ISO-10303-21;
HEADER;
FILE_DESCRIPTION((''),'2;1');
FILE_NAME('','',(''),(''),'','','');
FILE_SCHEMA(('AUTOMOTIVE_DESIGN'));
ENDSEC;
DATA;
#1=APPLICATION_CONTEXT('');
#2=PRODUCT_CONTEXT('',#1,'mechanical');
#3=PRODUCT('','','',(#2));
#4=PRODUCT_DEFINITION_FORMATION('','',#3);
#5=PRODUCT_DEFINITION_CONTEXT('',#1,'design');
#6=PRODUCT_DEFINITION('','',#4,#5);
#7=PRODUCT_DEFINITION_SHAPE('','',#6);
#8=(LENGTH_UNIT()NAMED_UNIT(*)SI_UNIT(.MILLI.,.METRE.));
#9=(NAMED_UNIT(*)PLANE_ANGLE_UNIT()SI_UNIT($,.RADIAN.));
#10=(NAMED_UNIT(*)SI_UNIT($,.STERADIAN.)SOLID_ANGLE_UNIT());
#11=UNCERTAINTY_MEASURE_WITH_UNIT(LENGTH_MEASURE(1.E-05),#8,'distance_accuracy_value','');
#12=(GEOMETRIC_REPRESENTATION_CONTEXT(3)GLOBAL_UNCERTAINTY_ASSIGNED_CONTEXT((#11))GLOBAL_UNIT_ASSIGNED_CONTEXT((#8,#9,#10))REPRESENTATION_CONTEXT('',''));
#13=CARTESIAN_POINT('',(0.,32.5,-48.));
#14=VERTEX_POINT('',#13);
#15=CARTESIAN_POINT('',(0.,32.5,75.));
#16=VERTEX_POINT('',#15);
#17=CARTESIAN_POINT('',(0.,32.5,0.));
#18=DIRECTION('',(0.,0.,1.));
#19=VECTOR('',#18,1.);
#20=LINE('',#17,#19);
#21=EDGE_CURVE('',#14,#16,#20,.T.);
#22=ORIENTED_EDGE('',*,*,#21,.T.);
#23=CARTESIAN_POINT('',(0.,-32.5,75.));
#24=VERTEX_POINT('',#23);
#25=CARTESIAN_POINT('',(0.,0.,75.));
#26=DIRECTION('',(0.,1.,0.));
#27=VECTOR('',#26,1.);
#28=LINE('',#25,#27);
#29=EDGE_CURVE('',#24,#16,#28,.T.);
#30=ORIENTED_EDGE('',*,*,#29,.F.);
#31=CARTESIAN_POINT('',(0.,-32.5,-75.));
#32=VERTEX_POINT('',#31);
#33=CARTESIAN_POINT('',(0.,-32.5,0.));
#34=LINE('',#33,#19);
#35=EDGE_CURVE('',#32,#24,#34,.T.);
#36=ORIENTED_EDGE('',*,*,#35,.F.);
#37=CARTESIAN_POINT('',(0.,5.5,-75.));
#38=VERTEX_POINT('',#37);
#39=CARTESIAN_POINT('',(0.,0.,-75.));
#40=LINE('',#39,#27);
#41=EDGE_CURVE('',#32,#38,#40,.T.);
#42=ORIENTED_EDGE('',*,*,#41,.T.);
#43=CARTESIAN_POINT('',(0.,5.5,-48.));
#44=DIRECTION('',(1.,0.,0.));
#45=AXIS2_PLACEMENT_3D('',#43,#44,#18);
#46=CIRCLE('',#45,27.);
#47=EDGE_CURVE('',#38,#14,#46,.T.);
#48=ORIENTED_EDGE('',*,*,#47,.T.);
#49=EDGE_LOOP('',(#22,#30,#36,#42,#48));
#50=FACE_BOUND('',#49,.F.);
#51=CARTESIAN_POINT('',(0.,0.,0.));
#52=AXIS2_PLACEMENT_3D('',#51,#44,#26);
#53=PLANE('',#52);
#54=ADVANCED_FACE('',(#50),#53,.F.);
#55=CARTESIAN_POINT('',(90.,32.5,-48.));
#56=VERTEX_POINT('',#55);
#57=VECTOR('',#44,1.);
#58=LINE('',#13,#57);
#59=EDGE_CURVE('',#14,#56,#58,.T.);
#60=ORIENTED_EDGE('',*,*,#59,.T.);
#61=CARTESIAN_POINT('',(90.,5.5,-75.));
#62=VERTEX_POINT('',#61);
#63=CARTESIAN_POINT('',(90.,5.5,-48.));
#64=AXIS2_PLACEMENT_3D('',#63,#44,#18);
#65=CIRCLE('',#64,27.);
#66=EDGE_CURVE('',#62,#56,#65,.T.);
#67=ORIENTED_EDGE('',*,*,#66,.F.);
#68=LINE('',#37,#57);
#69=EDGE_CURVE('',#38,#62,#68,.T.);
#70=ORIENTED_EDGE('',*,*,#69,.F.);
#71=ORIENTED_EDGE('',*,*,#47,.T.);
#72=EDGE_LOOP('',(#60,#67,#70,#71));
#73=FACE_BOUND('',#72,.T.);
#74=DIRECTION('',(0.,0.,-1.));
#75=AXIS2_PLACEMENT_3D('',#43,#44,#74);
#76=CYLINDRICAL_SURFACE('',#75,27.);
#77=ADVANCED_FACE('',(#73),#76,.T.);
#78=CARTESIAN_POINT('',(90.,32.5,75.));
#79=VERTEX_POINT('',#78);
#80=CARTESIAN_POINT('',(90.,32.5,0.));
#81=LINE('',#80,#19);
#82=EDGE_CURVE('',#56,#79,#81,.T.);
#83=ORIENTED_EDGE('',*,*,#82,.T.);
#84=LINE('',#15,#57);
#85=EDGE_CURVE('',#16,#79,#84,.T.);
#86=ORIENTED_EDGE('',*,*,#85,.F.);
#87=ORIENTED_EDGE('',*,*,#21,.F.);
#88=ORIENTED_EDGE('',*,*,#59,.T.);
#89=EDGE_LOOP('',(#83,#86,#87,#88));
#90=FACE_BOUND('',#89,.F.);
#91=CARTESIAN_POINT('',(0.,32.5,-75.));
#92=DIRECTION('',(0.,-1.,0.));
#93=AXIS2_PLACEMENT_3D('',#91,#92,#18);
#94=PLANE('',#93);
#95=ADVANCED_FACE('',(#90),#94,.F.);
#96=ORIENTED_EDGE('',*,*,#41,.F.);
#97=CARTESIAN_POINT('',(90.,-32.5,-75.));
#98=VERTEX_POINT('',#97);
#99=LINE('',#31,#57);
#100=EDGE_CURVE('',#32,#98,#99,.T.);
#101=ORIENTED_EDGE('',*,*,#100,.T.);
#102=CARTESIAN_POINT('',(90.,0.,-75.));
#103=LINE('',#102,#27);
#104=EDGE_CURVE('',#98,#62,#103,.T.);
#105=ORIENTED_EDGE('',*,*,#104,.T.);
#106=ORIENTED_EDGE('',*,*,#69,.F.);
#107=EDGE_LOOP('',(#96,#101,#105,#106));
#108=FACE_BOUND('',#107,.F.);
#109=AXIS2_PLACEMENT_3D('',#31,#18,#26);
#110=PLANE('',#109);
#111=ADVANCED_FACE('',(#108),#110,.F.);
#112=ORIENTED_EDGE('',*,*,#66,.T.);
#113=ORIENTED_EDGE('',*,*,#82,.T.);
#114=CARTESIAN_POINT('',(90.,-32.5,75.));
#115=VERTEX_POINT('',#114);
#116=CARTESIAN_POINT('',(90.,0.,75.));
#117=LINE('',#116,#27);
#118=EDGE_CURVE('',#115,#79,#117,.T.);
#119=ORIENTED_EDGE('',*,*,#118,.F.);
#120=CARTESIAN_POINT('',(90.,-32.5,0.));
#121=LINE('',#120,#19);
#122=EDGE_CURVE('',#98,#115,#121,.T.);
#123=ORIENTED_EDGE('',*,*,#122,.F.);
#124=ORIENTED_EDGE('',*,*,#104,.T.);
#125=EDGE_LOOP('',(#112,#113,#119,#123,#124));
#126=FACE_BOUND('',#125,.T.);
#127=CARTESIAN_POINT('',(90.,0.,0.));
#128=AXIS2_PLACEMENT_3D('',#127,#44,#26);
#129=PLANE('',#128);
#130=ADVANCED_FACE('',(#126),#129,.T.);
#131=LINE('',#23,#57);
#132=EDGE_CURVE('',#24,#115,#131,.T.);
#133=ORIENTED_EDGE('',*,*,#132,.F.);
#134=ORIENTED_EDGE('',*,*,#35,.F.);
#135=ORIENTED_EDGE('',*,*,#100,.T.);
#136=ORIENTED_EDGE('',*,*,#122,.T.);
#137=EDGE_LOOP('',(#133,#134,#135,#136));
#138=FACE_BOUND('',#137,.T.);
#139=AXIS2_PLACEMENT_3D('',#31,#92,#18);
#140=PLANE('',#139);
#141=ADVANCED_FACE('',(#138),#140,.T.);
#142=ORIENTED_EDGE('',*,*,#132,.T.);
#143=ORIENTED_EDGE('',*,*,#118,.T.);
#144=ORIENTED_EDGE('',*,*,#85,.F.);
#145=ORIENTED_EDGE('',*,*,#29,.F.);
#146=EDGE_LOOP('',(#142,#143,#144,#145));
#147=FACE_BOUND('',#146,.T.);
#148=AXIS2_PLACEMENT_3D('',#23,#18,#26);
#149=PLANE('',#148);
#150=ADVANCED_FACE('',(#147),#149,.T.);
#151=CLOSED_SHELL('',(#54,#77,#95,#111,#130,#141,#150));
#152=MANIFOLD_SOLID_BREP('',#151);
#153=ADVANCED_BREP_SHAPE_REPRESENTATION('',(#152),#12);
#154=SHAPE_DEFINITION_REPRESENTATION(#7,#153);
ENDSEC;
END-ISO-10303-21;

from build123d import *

# Parameters (mm, degrees)
F0_W     = 65
F0_H     = 150
F1_DEPTH = 90
F2_R     = 27


with BuildPart() as f1:
    # F0 (on Right) → F1 (new body)
    with BuildSketch(Plane.YZ):
        Rectangle(F0_W, F0_H)
    extrude(amount=F1_DEPTH)

    # F2
    f2_edges = [f1.edges().sort_by_distance(p)[0] for p in [
        (45, 32.5, -75),
    ]]
    fillet(f2_edges, radius=F2_R)


solid = f1.part
